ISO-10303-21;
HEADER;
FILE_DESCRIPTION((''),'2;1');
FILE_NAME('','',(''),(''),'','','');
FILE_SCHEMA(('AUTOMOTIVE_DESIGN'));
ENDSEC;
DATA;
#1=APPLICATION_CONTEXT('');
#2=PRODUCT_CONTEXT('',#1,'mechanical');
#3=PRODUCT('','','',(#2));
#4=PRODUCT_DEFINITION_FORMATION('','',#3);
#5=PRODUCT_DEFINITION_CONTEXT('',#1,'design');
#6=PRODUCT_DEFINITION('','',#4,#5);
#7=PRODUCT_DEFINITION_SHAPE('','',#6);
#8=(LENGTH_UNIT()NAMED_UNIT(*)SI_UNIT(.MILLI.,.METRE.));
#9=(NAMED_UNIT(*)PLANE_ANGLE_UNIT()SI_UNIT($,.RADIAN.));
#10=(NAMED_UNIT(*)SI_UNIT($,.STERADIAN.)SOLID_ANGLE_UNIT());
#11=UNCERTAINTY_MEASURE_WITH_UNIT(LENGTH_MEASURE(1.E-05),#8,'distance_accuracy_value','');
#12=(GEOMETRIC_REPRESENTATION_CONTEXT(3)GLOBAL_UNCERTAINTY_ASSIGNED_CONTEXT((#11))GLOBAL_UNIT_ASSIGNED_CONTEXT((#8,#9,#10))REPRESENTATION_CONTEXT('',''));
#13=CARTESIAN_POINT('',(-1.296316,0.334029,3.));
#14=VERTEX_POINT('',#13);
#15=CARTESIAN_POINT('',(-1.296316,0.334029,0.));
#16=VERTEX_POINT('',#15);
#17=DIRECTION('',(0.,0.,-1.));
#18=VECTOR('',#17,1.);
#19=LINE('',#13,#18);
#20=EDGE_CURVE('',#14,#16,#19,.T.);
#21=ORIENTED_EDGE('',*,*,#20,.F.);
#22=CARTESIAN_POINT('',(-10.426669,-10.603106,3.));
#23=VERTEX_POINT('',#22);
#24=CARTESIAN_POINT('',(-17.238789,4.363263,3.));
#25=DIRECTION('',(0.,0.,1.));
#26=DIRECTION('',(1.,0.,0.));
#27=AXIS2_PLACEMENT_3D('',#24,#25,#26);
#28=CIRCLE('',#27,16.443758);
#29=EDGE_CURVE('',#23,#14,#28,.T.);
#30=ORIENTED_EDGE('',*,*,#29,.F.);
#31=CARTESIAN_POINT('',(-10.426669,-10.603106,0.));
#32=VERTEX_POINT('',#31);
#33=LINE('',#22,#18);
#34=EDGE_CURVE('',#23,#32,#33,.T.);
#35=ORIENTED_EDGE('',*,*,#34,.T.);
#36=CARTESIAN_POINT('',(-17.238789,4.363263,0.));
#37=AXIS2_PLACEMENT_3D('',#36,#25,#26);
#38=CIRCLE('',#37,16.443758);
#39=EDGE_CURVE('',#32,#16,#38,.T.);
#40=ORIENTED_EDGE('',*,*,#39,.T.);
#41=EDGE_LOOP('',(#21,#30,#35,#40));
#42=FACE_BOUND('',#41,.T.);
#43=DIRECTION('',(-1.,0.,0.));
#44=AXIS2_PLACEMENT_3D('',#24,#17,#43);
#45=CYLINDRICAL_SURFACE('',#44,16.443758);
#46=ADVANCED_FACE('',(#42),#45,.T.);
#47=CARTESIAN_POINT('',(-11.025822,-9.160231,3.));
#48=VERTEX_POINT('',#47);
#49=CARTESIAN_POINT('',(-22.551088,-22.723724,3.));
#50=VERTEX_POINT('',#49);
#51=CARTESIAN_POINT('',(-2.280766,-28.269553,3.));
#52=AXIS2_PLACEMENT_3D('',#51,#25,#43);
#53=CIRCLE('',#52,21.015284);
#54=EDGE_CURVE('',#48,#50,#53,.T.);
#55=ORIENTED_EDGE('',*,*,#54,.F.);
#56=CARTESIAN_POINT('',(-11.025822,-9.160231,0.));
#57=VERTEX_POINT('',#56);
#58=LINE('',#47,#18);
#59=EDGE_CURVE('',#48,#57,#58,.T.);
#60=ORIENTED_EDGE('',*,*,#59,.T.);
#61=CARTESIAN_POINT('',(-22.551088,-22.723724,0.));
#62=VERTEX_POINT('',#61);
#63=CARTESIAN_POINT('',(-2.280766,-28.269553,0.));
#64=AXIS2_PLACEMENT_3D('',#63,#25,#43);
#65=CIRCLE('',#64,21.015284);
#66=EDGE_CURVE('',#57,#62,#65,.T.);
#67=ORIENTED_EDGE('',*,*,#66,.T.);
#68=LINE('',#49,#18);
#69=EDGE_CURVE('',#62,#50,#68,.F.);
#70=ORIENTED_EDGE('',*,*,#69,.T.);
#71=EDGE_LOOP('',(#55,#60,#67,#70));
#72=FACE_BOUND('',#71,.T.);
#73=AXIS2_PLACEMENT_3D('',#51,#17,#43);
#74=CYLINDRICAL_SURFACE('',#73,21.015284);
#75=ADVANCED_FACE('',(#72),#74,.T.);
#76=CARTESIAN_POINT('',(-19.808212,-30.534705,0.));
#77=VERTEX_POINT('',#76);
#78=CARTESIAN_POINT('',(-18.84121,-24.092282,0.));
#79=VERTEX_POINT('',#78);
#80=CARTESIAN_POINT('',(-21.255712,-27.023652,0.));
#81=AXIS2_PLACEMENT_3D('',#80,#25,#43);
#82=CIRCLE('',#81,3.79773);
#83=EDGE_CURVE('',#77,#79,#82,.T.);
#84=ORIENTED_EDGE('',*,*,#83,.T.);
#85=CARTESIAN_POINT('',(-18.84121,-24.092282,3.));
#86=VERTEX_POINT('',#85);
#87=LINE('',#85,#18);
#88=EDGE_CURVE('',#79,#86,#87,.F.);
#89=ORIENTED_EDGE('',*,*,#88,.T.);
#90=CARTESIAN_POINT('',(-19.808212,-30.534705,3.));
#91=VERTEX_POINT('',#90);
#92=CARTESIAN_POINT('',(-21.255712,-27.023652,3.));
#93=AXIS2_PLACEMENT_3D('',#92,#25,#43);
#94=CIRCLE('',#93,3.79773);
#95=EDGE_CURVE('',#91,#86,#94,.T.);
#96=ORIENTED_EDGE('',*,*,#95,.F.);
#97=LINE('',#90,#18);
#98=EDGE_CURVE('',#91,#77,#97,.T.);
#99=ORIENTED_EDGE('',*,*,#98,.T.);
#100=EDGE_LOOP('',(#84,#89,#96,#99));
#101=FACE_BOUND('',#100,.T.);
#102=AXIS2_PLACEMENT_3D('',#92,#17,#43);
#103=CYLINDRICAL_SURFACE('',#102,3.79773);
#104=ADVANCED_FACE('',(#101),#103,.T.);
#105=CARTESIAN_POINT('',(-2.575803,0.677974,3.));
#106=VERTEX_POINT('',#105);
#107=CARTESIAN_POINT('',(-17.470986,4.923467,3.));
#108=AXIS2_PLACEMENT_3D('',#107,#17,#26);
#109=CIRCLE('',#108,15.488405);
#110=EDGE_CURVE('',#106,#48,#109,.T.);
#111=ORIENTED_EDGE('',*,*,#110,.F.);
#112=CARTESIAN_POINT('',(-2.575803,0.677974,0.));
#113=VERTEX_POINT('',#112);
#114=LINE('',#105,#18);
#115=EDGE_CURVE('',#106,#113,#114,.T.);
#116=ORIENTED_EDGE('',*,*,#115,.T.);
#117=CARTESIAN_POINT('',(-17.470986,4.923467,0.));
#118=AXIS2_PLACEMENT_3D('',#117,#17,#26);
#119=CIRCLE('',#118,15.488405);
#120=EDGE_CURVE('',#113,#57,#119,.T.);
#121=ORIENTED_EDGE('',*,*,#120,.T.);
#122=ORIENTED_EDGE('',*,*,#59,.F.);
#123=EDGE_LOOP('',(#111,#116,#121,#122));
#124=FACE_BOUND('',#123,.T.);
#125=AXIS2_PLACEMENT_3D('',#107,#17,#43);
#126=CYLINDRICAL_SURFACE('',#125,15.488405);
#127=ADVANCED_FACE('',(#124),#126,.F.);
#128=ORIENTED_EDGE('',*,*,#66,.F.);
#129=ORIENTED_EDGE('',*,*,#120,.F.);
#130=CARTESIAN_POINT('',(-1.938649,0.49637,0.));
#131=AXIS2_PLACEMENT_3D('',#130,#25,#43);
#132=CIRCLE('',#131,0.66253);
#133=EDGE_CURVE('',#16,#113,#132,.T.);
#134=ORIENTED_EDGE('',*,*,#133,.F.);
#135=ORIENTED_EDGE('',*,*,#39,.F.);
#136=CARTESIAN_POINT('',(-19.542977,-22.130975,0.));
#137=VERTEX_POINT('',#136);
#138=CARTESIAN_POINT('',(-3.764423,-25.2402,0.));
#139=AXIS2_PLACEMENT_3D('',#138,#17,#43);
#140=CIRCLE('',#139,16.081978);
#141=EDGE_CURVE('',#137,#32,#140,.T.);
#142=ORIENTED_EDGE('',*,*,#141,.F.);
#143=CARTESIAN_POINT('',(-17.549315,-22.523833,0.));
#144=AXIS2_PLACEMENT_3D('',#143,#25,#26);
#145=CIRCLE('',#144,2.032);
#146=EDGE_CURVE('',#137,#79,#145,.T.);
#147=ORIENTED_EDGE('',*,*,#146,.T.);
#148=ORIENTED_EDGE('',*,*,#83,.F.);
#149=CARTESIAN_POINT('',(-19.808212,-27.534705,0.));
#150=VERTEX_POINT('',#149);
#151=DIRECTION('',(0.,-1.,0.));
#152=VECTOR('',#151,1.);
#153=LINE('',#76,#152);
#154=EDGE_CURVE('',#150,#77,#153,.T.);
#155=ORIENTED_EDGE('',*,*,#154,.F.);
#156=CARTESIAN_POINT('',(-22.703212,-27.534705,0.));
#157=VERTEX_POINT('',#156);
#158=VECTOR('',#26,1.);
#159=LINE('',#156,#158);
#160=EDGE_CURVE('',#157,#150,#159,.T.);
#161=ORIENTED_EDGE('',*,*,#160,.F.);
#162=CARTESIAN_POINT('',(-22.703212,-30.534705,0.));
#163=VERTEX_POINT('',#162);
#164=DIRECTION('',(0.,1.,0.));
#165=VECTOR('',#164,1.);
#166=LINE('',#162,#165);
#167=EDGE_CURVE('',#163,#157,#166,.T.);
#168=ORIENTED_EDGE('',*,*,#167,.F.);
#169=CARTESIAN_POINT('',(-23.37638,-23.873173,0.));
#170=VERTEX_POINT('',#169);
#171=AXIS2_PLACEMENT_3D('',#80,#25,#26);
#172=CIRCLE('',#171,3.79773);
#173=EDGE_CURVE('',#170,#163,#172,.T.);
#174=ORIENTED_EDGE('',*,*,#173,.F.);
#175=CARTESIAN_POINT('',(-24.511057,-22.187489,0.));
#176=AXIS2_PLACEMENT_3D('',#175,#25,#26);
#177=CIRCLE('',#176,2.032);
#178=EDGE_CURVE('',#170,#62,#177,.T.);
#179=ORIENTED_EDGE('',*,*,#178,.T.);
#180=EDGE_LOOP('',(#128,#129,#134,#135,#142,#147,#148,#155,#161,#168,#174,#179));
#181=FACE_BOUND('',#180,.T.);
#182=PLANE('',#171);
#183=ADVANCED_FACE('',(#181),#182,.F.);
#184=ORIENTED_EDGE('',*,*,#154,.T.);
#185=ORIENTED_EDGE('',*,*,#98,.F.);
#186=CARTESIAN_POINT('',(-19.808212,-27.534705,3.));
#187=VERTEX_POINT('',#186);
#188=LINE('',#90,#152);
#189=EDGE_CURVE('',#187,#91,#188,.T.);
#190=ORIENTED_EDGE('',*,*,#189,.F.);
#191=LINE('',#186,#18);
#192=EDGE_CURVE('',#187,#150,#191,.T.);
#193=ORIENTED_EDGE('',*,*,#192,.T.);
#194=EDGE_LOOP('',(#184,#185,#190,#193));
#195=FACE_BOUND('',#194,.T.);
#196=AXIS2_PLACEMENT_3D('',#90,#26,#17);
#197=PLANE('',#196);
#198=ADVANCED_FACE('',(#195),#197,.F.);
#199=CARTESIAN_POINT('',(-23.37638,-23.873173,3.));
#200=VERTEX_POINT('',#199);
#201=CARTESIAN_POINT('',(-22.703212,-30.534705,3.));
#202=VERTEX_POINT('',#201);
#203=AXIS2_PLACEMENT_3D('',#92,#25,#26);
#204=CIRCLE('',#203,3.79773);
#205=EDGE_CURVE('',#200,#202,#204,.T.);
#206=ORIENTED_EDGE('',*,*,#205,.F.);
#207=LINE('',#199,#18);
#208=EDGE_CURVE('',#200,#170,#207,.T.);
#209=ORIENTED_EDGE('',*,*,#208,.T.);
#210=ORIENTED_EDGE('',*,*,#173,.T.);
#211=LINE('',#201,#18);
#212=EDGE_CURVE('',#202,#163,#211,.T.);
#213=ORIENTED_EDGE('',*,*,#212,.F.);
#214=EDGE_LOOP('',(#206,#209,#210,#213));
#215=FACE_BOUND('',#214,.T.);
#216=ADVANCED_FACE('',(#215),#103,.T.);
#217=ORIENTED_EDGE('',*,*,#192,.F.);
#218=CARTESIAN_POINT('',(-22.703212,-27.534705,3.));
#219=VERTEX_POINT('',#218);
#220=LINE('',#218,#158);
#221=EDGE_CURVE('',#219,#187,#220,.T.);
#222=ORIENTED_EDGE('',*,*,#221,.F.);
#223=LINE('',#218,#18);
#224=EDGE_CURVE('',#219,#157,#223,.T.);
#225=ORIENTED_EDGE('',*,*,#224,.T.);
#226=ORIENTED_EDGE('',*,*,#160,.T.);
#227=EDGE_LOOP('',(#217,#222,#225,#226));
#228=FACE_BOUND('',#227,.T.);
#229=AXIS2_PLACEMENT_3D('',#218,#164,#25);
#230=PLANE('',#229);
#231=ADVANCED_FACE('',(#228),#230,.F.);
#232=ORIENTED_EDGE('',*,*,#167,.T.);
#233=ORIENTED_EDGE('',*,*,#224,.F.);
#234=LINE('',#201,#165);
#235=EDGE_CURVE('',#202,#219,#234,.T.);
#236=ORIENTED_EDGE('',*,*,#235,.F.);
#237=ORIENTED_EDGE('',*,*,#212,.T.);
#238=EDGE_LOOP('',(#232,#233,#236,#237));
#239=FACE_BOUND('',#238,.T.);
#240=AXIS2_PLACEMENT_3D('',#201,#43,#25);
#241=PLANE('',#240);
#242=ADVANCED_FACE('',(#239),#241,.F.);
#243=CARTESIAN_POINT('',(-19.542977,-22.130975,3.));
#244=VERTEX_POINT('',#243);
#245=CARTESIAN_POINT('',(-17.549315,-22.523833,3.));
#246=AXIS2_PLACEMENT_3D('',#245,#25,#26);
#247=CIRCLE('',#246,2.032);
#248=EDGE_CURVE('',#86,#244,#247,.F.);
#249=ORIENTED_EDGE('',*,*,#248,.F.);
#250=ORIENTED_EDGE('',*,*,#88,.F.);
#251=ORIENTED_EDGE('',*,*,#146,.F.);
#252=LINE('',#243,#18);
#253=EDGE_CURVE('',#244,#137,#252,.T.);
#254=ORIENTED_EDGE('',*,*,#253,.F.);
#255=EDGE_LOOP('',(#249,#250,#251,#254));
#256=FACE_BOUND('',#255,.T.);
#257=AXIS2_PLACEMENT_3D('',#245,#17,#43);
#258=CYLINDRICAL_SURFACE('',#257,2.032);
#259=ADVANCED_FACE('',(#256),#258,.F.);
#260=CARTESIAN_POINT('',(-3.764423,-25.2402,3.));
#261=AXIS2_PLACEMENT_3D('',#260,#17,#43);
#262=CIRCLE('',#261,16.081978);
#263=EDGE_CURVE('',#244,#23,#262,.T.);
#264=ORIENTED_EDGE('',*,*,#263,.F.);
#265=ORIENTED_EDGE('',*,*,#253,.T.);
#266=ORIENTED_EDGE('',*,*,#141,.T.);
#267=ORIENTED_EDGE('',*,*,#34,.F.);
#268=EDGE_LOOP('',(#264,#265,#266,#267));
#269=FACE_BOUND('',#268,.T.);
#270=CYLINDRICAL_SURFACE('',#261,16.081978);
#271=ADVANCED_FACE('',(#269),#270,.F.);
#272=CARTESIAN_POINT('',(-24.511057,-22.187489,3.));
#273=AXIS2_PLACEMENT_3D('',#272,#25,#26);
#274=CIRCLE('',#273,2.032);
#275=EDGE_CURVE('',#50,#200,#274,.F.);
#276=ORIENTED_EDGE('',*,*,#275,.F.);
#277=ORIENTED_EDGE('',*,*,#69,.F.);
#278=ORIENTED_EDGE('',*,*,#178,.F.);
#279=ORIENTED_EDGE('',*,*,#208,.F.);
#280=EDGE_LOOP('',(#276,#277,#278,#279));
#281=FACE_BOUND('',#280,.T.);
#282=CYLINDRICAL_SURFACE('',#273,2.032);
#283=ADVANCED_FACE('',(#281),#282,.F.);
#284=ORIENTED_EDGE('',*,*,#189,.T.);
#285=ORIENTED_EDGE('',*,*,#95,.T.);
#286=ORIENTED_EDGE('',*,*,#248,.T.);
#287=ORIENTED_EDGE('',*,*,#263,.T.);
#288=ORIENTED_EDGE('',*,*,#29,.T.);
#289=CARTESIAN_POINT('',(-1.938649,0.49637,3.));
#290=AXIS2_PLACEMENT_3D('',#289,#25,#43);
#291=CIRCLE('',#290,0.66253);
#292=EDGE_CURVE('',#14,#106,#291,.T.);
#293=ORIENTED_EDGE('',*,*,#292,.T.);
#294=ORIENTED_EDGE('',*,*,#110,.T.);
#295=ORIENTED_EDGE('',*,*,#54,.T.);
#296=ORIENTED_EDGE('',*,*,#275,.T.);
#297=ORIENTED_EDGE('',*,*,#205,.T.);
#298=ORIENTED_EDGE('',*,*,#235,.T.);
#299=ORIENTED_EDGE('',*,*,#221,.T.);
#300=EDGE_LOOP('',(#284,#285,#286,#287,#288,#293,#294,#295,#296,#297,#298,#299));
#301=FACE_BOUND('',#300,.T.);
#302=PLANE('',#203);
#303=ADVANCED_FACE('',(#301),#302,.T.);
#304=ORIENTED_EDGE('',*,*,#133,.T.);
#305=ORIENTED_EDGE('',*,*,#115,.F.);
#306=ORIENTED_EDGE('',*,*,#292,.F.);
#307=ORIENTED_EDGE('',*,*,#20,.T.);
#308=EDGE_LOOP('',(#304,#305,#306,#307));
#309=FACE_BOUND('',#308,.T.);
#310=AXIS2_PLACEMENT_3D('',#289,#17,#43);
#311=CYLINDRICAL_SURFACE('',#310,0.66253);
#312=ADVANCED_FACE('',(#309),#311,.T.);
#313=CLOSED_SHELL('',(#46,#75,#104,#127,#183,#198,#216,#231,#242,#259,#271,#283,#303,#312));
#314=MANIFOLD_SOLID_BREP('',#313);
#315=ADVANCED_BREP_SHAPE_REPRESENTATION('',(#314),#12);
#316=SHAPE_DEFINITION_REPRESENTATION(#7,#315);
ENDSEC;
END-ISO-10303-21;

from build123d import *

# Parameters (mm, degrees)
EXTRUDE_1_DEPTH = 3
FILLET_1_R      = 2.032


with BuildPart() as part:
    # 스케치1 → 보스-돌출1 (new body)
    with BuildSketch(Plane.XY):
        with BuildLine():
            Line((-22.703212056, -30.53470544), (-22.703212056, -27.53470544))
            Line((-22.703212056, -27.53470544), (-19.808212056, -27.53470544))
            Line((-19.808212056, -27.53470544), (-19.808212056, -30.53470544))
            ThreePointArc((-19.808212056, -30.53470544), (-17.458089238, -27.052134486), (-19.755712056, -23.53470544))
            ThreePointArc((-19.755712056, -23.53470544), (-16.806747664, -15.831278272), (-10.426669431, -10.603106234))
            ThreePointArc((-10.426669431, -10.603106234), (-4.615473218, -6.174719455), (-1.296316018, 0.334028993))
            ThreePointArc((-1.296316018, 0.334028993), (-1.766656874, 1.136185733), (-2.575803416, 0.677974178))
            ThreePointArc((-2.575803416, 0.677974178), (-5.721510813, -5.168139004), (-11.025821999, -9.160230838))
            ThreePointArc((-11.025821999, -9.160230838), (-18.562919164, -14.982954912), (-22.755712056, -23.53470544))
            ThreePointArc((-22.755712056, -23.53470544), (-25.053334873, -27.052134486), (-22.703212056, -30.53470544))
        make_face()
    extrude(amount=EXTRUDE_1_DEPTH)

    # 필렛1
    fillet_1_edges = [part.edges().sort_by_distance(p)[0] for p in [
        (-22.755712056, -23.53470544, 1.5),
        (-19.755712056, -23.53470544, 1.5),
    ]]
    fillet(fillet_1_edges, radius=FILLET_1_R)


solid = part.part
